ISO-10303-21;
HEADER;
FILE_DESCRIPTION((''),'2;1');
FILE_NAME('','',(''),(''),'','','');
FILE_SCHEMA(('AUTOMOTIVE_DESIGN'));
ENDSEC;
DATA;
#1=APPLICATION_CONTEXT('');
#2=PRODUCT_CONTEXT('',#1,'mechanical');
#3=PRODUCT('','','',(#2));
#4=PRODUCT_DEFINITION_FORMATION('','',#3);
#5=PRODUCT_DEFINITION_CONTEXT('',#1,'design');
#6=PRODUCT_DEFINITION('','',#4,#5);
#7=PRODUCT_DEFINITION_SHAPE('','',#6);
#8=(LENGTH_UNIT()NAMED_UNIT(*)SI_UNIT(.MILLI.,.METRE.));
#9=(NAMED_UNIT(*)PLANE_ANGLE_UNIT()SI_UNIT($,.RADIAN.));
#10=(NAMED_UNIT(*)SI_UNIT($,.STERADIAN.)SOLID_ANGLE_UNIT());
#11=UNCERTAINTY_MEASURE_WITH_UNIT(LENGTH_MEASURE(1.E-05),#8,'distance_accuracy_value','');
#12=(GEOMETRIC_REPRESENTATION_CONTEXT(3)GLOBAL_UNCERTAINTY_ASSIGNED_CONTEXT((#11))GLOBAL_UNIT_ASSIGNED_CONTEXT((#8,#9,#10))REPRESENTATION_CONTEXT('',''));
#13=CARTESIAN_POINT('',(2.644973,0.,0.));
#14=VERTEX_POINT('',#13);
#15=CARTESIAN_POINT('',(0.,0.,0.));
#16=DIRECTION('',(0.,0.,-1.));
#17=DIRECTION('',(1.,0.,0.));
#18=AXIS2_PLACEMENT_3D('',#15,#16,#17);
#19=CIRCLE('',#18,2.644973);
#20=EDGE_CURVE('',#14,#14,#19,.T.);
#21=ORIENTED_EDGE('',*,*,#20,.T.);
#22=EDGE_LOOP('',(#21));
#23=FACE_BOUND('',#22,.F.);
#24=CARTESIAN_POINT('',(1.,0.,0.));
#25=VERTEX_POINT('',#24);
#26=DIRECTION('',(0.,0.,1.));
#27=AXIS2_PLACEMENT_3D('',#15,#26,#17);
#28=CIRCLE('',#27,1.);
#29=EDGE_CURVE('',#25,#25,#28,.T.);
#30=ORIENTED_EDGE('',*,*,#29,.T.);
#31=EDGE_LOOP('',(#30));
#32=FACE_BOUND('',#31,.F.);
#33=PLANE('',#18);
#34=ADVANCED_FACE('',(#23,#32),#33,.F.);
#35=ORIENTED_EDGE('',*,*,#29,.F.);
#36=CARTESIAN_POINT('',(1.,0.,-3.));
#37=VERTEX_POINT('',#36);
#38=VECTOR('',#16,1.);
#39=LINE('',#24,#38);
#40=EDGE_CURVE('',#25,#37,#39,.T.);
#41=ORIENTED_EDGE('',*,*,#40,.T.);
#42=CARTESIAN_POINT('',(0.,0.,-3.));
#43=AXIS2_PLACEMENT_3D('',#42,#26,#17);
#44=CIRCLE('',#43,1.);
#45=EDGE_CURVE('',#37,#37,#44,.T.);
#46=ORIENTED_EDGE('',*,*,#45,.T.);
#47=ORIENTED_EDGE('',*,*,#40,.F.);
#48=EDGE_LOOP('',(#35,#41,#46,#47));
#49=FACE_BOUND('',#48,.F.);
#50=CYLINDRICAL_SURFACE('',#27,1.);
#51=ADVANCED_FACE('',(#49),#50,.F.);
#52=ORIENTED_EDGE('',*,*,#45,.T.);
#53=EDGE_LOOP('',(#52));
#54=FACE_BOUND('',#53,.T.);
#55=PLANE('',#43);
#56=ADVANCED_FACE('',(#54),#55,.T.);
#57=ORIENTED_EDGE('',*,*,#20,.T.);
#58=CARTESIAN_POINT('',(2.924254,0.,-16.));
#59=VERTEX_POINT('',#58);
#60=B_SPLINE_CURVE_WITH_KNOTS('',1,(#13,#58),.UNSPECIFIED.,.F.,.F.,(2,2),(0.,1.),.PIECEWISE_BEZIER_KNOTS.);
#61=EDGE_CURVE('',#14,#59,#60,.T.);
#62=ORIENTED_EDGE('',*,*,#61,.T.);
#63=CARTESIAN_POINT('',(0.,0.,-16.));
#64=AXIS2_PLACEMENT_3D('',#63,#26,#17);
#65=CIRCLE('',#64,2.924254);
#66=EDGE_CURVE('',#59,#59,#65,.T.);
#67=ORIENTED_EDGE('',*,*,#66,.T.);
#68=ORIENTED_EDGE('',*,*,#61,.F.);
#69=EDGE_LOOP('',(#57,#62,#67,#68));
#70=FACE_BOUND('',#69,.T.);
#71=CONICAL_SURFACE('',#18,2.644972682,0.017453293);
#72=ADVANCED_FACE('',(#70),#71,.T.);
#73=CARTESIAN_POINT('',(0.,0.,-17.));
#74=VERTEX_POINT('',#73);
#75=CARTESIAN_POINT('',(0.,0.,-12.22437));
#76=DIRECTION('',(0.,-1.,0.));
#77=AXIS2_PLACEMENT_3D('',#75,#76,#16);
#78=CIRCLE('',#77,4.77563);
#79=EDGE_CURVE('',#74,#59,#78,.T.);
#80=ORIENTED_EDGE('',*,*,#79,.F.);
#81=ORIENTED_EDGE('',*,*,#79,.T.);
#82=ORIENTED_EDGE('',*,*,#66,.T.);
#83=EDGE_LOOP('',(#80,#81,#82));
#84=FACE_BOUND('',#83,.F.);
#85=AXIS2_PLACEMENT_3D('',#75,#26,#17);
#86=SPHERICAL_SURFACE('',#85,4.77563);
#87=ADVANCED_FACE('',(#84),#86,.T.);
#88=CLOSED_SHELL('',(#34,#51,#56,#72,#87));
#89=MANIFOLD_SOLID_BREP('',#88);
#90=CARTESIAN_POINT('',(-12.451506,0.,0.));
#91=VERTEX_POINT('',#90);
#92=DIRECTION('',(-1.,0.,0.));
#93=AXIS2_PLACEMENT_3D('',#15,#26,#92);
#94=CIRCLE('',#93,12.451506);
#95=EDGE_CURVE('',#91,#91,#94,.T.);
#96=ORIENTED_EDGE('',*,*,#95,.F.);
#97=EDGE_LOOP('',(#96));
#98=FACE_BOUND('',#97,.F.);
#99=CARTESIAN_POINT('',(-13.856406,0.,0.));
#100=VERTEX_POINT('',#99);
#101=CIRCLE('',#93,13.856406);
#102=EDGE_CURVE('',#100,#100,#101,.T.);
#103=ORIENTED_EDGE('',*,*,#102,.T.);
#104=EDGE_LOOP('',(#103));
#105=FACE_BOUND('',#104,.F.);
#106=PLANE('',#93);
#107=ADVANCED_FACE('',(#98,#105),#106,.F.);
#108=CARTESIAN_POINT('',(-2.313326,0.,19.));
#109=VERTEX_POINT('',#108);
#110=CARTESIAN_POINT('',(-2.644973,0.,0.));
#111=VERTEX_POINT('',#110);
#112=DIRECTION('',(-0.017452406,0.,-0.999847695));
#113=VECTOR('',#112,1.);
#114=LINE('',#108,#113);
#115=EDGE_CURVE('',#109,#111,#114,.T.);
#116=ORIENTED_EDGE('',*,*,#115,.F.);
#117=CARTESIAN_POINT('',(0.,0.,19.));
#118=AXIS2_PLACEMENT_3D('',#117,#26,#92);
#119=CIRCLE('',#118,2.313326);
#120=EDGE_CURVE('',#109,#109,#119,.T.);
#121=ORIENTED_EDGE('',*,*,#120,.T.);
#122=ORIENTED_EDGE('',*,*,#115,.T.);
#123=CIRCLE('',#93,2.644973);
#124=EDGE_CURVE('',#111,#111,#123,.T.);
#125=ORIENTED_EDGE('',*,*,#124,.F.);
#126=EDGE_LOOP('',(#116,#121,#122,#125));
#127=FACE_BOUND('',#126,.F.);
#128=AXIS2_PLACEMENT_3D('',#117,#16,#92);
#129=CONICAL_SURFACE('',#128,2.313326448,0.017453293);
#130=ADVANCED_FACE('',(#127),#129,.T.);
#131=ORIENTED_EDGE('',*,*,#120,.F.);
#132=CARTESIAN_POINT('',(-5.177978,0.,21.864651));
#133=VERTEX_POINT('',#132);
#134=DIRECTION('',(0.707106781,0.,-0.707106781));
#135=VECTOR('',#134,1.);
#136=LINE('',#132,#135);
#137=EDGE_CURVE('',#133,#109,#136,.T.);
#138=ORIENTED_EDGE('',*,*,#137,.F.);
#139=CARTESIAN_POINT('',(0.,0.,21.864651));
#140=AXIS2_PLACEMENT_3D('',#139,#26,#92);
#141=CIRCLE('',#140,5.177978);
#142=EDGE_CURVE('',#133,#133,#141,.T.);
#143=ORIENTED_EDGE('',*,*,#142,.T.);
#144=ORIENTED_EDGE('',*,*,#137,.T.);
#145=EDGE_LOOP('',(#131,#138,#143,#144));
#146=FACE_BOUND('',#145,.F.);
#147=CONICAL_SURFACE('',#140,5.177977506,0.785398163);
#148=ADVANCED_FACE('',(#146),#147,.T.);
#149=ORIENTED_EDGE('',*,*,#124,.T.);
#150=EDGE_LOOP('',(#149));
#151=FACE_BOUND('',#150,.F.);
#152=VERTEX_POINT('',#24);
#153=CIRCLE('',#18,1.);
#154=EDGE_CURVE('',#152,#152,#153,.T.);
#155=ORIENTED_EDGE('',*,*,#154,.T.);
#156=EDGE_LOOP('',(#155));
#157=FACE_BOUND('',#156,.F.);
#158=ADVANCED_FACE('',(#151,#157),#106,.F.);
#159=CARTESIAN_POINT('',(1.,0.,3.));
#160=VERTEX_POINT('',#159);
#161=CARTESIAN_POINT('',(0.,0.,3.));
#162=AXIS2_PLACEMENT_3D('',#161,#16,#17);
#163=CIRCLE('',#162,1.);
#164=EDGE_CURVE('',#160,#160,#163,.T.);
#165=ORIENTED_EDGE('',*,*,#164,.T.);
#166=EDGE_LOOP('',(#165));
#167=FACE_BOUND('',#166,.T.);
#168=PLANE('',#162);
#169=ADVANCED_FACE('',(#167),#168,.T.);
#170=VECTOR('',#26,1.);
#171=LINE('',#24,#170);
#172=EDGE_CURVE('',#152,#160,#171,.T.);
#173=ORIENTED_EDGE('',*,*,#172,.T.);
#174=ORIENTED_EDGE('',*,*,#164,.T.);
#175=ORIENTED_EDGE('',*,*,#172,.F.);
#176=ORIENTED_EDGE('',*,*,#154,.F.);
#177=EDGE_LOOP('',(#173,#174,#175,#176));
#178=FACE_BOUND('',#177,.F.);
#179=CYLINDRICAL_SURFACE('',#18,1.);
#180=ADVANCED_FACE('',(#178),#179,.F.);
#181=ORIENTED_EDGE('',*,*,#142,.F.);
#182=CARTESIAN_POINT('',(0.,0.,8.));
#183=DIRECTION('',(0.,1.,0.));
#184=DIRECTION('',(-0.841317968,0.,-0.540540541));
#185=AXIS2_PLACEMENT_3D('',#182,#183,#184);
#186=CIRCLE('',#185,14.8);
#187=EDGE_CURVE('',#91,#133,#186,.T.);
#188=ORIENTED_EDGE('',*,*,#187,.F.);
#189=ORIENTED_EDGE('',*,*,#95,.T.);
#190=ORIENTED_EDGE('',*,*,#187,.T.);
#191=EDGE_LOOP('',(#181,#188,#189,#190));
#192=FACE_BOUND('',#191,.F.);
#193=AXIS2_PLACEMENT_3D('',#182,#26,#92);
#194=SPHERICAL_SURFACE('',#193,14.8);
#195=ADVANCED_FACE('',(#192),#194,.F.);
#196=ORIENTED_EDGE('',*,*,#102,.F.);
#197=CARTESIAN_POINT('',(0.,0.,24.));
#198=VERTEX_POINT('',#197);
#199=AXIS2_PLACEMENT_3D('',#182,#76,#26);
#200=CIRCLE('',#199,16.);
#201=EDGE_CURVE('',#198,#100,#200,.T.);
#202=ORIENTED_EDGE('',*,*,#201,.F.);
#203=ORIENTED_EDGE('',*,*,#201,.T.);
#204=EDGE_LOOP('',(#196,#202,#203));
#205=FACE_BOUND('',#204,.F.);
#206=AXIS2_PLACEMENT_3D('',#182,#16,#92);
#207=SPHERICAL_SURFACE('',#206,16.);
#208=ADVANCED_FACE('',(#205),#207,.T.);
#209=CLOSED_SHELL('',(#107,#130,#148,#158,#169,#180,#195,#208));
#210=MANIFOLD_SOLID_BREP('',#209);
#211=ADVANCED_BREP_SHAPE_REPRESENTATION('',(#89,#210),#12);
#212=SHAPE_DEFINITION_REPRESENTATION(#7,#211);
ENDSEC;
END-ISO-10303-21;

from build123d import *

# Parameters (mm, degrees)
F1_FACE_R = 2.6449726818
F2_DEPTH  = 16
F2_TAPER  = -1
F5_R      = 1
F6_DEPTH  = 3
F7_R      = 1
F8_DEPTH  = 3


with BuildPart() as f1:
    # F0 (on Front) → F1 (revolve)
    with BuildSketch(Plane.XZ):
        with BuildLine():
            Line((0, 22.8), (0, 24))
            ThreePointArc((0, 24), (-13.8564064606, 16), (-13.8564064606, 0))
            Line((-13.8564064606, 0), (-12.451505933, 0))
            ThreePointArc((-12.451505933, 0), (-14.0433405231, 12.6716792433), (-5.1779775058, 21.8646510576))
            ThreePointArc((-5.1779775058, 21.8646510576), (-3.7335474185, 22.3213345633), (-2.25, 22.6279697839))
            ThreePointArc((-2.25, 22.6279697839), (-1.1282834745, 22.7569297756), (0, 22.8))
        make_face()
        with BuildLine():
            Line((0, 0), (0, 22.8))
            ThreePointArc((0, 22.8), (-1.1282834745, 22.7569297756), (-2.25, 22.6279697839))
            Line((-2.25, 22.6279697839), (-2.3133264481, 19))
            Line((-2.3133264481, 19), (-2.6449726818, 0))
            Line((-2.6449726818, 0), (0, 0))
        make_face()
        with BuildLine():
            Line((-2.3133264481, 19), (-2.25, 22.6279697839))
            ThreePointArc((-2.25, 22.6279697839), (-3.7335474185, 22.3213345633), (-5.1779775058, 21.8646510576))
            Line((-5.1779775058, 21.8646510576), (-2.3133264481, 19))
        make_face()
    revolve(axis=Axis((0, 0, 23.4), (0, 0, 1)))

    # F7 (on face) → F8 (cut)
    with BuildSketch(Plane(origin=(0, 0, 0), x_dir=(1, 0, 0), z_dir=(0, 0, -1))):
        Circle(F7_R)
    extrude(amount=-F8_DEPTH, mode=Mode.SUBTRACT)


with BuildPart() as f2:
    # F1_face (on face) → F2 (new body)
    with BuildSketch(Plane(origin=(0, 0, 0), x_dir=(1, 0, 0), z_dir=(0, 0, -1))):
        Circle(F1_FACE_R)
    extrude(amount=F2_DEPTH, taper=F2_TAPER)

    # F3 (on Front) → F4 (revolve)
    with BuildSketch(Plane.XZ):
        with BuildLine():
            ThreePointArc((0, -17), (1.5452556279, -16.743089608), (2.9242537206, -16))
            Line((2.9242537206, -16), (0, -16))
            Line((0, -16), (0, -17))
        make_face()
    revolve(axis=Axis((0, 0, -16.5), (0, 0, -1)))

    # F5 (on face) → F6 (cut)
    with BuildSketch(Plane.XY):
        Circle(F5_R)
    extrude(amount=-F6_DEPTH, mode=Mode.SUBTRACT)


solid = Compound([f1.part, f2.part])
